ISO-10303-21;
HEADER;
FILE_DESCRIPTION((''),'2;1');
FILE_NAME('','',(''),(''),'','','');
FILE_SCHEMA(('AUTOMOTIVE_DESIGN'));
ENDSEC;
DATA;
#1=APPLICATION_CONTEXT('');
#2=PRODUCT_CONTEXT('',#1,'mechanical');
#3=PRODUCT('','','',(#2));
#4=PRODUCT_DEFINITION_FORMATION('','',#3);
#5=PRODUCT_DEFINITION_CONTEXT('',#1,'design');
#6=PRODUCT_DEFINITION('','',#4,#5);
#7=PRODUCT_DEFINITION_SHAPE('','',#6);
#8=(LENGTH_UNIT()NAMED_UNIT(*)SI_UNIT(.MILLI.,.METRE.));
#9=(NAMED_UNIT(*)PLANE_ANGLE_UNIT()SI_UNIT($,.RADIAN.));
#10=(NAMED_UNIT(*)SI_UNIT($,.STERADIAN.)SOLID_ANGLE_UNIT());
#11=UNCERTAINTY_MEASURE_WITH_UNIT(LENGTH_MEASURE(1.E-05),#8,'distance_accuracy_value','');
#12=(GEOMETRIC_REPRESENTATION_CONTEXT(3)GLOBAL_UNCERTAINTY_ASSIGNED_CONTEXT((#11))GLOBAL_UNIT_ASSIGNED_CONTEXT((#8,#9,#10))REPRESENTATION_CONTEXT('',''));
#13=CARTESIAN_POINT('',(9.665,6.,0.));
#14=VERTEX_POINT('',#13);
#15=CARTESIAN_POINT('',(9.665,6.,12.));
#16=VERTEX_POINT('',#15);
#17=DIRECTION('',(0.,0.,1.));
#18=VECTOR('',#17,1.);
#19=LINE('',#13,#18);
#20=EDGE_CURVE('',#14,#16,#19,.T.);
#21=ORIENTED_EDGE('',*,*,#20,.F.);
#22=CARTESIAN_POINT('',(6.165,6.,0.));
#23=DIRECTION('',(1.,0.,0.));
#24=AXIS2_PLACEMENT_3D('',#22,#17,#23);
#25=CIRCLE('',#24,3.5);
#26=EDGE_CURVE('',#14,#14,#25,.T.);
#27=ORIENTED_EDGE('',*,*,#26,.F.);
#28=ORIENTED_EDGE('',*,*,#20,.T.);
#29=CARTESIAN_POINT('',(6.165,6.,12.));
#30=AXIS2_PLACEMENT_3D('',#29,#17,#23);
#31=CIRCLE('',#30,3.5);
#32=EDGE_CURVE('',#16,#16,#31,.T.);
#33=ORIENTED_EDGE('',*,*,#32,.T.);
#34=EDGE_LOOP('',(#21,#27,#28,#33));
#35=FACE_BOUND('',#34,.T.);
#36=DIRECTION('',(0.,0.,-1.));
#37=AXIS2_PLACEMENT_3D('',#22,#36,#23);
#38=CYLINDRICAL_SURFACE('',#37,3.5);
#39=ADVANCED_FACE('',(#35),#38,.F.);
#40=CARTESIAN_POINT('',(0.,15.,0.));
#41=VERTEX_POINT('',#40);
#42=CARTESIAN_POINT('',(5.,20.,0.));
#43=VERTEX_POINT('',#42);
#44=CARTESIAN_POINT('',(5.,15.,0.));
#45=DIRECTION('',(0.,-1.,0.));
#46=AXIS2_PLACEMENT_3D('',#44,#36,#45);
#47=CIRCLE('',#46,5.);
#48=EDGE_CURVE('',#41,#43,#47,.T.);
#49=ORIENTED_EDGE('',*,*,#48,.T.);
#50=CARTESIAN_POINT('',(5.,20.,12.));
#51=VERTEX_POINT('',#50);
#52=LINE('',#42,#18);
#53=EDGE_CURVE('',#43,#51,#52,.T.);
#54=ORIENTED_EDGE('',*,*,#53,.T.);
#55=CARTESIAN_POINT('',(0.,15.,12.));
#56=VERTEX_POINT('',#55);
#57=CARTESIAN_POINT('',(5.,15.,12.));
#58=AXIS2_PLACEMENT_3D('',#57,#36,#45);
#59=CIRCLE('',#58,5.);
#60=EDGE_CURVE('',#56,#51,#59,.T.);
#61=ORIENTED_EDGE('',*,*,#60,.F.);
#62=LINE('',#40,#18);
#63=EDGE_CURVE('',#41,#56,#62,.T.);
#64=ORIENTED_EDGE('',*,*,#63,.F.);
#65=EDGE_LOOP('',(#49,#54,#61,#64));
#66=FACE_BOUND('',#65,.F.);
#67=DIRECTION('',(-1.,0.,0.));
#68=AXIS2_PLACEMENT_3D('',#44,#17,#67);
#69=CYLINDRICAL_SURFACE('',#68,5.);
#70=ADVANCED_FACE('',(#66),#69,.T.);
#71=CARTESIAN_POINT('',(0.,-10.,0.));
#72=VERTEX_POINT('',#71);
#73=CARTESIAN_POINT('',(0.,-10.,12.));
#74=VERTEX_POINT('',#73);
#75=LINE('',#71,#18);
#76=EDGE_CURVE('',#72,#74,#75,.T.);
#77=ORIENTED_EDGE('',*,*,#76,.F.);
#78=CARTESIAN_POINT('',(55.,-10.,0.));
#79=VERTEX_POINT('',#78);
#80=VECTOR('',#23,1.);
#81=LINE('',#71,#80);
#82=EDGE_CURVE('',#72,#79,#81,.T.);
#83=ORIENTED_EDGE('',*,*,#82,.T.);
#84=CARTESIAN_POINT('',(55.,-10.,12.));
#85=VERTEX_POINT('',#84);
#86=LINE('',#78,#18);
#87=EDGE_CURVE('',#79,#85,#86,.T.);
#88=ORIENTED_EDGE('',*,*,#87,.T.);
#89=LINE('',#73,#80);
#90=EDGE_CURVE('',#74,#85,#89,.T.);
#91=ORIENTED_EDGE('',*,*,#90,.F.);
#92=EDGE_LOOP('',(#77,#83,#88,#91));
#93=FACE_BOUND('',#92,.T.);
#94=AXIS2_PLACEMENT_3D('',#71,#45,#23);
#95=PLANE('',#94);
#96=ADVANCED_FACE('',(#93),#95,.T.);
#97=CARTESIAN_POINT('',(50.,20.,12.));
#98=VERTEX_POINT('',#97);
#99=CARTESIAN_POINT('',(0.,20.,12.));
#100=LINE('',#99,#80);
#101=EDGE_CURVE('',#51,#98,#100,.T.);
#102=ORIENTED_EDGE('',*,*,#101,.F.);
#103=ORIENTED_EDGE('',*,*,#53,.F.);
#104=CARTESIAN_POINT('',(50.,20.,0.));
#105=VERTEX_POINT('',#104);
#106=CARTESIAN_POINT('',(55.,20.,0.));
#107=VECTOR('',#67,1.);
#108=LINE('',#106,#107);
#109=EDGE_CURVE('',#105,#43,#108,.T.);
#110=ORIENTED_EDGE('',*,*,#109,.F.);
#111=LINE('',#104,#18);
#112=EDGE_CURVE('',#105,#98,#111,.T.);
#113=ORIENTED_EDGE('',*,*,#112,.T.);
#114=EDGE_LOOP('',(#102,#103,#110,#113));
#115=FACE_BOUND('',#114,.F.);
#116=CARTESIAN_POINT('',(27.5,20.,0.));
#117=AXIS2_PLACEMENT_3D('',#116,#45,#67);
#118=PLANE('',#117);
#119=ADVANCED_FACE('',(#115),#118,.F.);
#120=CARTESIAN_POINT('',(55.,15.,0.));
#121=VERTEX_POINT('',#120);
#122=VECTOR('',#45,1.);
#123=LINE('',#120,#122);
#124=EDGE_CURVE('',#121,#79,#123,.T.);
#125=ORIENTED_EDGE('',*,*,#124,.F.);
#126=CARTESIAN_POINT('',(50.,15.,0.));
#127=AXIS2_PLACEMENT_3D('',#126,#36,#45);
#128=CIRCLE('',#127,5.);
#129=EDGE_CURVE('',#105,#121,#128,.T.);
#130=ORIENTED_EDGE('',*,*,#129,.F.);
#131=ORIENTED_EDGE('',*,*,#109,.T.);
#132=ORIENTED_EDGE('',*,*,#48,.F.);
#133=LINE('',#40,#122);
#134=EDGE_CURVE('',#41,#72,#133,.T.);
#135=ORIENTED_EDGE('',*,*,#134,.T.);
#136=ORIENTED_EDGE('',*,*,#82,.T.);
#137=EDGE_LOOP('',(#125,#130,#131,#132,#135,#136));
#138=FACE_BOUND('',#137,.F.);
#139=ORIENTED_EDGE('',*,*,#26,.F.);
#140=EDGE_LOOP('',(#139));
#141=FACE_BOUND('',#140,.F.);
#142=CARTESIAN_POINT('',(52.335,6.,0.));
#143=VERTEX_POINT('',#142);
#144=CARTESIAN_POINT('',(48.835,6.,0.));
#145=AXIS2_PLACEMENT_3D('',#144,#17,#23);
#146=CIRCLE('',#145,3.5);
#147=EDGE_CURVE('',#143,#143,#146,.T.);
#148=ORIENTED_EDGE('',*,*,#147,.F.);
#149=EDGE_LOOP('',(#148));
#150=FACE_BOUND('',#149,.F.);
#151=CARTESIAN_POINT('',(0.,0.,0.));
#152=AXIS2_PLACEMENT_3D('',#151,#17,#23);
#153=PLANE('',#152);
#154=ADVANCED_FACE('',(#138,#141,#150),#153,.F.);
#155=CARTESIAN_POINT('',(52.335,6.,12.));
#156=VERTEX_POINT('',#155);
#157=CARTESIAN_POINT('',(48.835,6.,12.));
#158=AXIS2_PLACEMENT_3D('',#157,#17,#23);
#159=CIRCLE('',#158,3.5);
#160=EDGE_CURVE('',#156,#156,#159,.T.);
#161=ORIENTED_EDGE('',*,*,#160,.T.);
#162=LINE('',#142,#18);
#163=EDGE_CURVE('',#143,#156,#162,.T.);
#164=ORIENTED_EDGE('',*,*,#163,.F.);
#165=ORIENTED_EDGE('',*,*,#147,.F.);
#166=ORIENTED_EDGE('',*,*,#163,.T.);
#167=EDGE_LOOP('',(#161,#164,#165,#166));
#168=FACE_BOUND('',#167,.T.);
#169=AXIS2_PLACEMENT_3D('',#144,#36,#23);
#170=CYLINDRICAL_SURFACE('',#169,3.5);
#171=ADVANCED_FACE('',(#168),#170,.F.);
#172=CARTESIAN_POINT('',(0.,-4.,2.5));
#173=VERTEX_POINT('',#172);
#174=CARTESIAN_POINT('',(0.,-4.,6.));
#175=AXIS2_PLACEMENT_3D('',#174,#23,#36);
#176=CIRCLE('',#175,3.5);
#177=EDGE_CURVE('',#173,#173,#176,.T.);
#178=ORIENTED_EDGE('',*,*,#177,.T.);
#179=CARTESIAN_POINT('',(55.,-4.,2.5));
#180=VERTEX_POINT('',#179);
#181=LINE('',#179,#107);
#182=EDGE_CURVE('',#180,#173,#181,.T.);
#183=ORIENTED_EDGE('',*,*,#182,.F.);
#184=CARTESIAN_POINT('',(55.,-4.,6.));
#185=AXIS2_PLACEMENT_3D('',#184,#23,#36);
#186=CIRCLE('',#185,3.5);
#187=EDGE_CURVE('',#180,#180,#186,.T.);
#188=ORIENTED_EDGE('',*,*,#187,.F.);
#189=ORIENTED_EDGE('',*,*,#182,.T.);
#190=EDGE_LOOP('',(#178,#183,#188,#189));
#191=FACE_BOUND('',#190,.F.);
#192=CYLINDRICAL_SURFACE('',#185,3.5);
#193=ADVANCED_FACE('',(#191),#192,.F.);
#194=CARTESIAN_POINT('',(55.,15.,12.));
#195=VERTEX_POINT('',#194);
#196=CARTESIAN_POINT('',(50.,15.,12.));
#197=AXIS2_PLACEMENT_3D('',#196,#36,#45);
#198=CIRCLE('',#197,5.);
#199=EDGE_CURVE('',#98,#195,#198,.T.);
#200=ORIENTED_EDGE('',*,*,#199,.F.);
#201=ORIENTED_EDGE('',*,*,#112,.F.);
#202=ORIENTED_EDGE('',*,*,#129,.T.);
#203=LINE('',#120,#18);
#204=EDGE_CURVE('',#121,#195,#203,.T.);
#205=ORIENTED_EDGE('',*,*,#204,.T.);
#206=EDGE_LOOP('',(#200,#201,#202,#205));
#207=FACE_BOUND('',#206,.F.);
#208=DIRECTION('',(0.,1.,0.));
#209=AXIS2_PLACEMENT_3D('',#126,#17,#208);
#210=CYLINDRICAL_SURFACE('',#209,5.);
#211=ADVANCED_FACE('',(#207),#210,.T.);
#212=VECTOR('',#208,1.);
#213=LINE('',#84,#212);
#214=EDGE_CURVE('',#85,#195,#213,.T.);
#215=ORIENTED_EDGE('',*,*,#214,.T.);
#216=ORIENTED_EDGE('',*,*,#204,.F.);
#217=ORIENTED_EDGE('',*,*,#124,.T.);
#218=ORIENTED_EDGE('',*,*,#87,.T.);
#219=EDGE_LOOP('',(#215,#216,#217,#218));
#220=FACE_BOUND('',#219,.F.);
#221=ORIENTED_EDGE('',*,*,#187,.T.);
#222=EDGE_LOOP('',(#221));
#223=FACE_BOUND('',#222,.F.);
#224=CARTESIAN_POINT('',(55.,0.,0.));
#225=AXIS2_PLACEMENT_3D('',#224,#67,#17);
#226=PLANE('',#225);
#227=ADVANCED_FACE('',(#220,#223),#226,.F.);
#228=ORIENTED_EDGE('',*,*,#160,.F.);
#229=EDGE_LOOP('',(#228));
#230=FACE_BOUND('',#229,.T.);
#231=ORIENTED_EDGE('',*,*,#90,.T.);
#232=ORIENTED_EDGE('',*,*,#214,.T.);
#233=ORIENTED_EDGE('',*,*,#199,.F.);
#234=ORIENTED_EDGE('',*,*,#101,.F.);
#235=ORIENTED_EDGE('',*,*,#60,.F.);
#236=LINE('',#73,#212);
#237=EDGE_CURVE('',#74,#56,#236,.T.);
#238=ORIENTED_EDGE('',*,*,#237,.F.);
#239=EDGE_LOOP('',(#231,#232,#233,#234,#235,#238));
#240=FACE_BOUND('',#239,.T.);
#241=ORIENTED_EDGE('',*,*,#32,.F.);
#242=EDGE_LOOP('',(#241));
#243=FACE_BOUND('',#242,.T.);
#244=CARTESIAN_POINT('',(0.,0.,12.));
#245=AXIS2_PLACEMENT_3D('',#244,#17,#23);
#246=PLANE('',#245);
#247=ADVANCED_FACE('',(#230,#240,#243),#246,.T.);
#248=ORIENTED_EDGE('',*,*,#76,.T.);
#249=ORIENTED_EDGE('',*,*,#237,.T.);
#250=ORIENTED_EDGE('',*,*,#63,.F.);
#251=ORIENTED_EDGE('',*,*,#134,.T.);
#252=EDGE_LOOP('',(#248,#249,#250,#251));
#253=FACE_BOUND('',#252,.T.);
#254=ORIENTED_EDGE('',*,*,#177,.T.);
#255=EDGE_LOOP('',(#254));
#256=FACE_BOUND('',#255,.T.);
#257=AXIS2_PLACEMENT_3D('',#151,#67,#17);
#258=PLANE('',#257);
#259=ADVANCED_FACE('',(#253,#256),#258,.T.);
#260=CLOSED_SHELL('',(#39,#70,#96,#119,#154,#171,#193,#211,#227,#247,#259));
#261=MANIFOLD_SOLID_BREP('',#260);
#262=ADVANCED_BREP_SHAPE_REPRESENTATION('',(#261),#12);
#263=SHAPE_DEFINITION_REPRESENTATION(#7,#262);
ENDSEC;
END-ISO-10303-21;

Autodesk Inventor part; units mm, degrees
ref_plane "YZ Plane" through (0, 0, 0) normal (1, 0, 0) x (0, 1, 0)
ref_plane "XZ Plane" through (0, 0, 0) normal (0, 1, 0) x (-1, 0, 0)
ref_plane "XY Plane" through (0, 0, 0) normal (0, 0, 1) x (1, 0, 0)
sketch "Boceto1" plane through (0, 0, 0) normal (0, 0, 1) x (1, 0, 0)
  line L0 (0, 0) -> (55, 0)
  line L1 (55, 0) -> (55, 20)
  line L2 (55, 20) -> (0, 20)
  line L3 (0, 20) -> (0, 0)
  circle A0 centre (6.165, 6) radius 3.5
  line L4 (27.5, 20) -> (27.5, 0)
  circle A1 centre (48.835, 6) radius 3.5
  dimension "d0" = 7
  dimension "d1" = 55
  dimension "d3" = 20
  dimension "d23" = 42.67
  dimension "d31" = 6
extrude "Extrusión1" add sketch "Boceto1" along normal blind 12
fillet "Empalme1" radius 5 2 edges at (55, 20, 6) (0, 20, 6)
sketch "Boceto7" plane through (0, 0, 0) normal (0, -1, 0) x (1, 0, 0)
  line L0 (0, 0) -> (0, 12) projected
  line L1 (0, 12) -> (55, 12) projected
  line L2 (0, 0) -> (55, 0)
  line L3 (55, 0) -> (55, 12)
  line L4 (55, 12) -> (0, 12)
  line L5 (0, 12) -> (0, 0)
extrude "Extrusión5" add sketch "Boceto7" along normal blind 10
sketch "Boceto8" plane through (55, 15, 12) normal (1, 0, 0) x (0, 0, -1)
  circle A0 centre (6, -19) radius 3.5
  line L0 (12, -25) -> (0, -25) projected
  line L1 (12, 0) -> (12, -25) projected
  point P0 (6, -25)
  dimension "d26" = 7
  dimension "d27" = 6
extrude "Extrusión6" cut sketch "Boceto8" against normal blind 55
properties part number "SoporteDerecha"
